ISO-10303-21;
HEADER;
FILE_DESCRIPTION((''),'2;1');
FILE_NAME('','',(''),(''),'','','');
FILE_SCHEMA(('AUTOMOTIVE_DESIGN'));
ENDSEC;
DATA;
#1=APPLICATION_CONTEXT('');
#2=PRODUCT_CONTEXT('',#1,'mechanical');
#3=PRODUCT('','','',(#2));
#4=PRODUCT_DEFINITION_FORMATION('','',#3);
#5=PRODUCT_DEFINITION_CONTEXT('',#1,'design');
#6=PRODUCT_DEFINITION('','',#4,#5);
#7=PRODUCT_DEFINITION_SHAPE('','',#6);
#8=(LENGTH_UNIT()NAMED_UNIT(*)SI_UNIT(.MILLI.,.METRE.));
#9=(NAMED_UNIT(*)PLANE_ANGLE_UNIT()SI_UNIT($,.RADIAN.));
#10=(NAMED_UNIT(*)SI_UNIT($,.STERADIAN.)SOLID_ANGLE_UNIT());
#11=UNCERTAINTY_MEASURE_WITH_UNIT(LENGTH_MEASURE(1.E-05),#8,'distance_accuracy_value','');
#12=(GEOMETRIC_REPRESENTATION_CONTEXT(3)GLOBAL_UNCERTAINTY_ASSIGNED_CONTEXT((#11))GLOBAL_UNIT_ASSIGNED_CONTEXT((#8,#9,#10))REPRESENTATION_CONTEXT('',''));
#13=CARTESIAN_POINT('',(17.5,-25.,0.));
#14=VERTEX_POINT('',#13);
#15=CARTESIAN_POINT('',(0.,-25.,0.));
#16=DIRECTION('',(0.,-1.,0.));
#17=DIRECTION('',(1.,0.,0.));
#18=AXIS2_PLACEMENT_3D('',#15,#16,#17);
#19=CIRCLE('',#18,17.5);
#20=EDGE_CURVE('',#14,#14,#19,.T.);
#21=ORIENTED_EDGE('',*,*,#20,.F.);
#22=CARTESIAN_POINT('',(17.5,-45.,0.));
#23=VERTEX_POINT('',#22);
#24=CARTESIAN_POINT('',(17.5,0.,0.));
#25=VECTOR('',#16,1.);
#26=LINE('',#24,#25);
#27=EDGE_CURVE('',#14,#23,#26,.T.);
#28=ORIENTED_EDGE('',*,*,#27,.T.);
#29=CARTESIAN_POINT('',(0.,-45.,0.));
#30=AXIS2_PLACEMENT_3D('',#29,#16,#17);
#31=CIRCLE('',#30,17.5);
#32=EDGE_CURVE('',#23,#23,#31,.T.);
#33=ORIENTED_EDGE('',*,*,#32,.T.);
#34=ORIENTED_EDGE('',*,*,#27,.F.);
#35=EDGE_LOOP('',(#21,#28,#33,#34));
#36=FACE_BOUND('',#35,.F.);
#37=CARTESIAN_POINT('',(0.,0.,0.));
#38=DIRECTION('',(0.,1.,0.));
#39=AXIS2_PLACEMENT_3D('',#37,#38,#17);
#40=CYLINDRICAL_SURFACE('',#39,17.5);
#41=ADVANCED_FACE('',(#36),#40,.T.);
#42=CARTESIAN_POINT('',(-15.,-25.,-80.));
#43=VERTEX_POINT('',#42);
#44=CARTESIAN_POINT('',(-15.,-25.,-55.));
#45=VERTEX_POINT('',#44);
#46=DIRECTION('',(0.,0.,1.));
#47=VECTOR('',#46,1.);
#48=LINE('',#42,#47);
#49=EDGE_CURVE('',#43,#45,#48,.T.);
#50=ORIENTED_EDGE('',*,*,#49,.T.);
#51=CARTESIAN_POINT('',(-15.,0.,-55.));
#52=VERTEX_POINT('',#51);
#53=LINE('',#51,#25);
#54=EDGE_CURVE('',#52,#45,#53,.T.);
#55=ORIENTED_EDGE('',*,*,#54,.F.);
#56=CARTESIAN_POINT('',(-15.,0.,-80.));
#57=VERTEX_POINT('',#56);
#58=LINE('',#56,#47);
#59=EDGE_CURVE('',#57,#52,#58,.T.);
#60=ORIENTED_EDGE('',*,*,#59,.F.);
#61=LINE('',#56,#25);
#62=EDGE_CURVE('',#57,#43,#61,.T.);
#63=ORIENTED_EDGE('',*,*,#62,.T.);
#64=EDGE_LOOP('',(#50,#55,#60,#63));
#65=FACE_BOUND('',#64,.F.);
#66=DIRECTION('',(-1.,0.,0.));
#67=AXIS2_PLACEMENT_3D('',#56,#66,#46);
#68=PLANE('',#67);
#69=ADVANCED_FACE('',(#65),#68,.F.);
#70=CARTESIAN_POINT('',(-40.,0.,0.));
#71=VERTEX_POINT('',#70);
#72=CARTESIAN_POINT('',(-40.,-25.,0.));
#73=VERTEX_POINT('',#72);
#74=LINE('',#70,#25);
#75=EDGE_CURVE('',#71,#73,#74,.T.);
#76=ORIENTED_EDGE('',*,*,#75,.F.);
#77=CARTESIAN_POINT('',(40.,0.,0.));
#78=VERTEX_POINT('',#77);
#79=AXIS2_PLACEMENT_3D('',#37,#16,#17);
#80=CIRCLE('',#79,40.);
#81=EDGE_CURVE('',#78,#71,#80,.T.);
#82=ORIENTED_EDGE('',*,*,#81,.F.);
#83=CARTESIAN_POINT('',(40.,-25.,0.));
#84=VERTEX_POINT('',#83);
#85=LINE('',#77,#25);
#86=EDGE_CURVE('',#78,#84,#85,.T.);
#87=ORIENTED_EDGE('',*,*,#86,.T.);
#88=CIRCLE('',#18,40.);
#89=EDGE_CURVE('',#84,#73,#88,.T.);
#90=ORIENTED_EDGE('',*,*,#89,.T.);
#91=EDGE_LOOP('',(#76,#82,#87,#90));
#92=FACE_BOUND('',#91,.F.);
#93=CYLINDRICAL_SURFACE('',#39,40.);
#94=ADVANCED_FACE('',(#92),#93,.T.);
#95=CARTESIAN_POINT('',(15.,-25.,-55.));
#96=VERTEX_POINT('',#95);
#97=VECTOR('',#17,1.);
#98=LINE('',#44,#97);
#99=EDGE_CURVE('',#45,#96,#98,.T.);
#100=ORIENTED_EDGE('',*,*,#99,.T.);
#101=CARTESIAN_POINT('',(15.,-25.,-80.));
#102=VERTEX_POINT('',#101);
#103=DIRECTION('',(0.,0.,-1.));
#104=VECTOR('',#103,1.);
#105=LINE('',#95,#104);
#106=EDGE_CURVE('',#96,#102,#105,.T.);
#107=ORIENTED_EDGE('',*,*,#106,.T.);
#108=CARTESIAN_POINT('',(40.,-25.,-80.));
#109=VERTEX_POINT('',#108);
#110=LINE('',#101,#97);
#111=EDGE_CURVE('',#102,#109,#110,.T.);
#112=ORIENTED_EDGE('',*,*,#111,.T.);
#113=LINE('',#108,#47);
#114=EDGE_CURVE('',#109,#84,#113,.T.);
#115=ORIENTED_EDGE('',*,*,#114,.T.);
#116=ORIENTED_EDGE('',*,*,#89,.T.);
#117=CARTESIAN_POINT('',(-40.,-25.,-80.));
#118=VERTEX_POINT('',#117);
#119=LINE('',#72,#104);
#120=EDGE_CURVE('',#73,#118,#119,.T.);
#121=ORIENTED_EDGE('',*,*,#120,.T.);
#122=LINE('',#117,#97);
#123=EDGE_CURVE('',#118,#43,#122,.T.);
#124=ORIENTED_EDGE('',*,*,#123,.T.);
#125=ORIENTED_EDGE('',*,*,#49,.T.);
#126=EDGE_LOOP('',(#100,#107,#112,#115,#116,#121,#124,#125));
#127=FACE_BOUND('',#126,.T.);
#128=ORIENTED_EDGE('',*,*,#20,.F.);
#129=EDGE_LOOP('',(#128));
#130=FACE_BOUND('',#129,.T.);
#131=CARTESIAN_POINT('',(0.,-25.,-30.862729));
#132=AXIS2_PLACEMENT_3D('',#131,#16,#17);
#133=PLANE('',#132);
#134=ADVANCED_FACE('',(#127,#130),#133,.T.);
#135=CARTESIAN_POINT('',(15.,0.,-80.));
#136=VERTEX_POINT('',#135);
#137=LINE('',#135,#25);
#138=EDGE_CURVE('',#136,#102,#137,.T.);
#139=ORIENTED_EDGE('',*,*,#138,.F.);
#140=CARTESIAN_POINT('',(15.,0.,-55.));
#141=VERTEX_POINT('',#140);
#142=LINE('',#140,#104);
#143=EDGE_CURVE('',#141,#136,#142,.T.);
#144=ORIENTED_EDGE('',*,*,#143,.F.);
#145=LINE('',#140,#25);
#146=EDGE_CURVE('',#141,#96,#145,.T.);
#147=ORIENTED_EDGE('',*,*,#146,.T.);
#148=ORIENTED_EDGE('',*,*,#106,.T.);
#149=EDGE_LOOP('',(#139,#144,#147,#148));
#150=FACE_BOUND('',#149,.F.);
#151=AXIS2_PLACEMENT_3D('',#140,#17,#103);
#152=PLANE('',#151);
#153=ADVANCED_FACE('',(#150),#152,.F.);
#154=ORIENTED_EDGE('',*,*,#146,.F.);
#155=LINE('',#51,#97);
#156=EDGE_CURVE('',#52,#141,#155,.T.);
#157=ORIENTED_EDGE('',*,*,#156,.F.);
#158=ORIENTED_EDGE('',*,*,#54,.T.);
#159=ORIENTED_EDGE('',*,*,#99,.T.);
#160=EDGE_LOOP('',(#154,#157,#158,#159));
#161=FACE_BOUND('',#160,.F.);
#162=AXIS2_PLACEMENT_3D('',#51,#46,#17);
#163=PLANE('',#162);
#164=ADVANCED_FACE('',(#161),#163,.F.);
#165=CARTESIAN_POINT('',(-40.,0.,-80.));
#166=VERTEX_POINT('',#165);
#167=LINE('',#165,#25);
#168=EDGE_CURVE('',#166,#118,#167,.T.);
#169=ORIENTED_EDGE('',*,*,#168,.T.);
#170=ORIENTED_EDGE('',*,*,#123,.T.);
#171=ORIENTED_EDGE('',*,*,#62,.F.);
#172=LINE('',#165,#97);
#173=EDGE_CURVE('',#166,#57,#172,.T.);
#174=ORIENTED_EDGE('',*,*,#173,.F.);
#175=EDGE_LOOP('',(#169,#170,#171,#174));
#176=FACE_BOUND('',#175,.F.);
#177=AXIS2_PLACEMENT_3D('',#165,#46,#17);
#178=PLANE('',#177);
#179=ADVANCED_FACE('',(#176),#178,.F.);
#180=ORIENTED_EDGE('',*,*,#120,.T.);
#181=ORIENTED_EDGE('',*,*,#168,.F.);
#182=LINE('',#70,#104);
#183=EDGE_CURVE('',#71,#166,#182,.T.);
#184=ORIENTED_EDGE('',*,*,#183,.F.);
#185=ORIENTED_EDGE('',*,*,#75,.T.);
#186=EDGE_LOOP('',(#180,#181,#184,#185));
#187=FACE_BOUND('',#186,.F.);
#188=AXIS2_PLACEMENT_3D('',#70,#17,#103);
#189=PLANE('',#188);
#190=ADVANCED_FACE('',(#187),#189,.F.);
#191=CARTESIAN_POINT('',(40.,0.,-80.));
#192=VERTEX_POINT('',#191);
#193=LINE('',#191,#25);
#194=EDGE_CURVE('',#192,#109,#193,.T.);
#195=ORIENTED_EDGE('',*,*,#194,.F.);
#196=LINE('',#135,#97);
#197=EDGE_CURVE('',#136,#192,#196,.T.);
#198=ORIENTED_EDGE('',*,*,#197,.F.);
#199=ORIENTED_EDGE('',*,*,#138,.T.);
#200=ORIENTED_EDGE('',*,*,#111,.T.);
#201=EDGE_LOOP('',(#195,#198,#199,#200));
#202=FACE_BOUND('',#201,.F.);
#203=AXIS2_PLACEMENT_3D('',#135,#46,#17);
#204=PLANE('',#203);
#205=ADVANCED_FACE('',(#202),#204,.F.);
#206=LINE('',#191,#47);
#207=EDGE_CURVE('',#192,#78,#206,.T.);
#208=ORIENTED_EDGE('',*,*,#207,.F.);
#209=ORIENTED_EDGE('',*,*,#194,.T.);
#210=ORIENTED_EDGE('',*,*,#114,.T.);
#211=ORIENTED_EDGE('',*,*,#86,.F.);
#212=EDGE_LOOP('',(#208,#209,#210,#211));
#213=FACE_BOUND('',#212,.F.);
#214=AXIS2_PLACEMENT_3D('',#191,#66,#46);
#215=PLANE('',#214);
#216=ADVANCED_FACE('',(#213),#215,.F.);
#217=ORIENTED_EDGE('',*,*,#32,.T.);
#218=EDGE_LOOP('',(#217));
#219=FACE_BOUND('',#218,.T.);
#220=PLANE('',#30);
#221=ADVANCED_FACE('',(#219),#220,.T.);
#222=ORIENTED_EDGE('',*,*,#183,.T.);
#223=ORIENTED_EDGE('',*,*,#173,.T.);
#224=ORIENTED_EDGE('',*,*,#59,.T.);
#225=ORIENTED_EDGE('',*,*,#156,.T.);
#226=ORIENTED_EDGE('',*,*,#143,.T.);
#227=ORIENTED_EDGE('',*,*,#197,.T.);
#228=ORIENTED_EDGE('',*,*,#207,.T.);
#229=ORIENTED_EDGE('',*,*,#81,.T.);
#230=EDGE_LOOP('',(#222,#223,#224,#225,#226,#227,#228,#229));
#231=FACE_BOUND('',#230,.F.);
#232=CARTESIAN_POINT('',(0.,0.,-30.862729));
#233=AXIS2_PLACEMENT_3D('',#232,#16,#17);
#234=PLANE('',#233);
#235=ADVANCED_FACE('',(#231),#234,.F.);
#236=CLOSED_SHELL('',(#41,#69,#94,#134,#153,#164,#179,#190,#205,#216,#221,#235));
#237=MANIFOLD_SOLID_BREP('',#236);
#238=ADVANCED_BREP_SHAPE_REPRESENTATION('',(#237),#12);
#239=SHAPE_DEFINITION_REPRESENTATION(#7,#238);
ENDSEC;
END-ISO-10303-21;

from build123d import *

# Parameters (mm, degrees)
F0_R     = 17.5
F1_DEPTH = 45
F2_DEPTH = 25


with BuildPart() as f1:
    # F0 (on Front) → F1 (new body)
    with BuildSketch(Plane.XZ):
        Circle(F0_R)
    extrude(amount=F1_DEPTH)

    # F0 (on Front) → F2 (join)
    with BuildSketch(Plane.XZ):
        with BuildLine():
            Line((40, -80), (40, 0))
            ThreePointArc((40, 0), (0, 40), (-40, 0))
            Line((-40, 0), (-40, -80))
            Line((-40, -80), (-15, -80))
            Line((-15, -80), (-15, -55))
            Line((-15, -55), (15, -55))
            Line((15, -55), (15, -80))
            Line((15, -80), (40, -80))
        make_face()
        Circle(F0_R, mode=Mode.SUBTRACT)
    extrude(amount=F2_DEPTH)


solid = f1.part
